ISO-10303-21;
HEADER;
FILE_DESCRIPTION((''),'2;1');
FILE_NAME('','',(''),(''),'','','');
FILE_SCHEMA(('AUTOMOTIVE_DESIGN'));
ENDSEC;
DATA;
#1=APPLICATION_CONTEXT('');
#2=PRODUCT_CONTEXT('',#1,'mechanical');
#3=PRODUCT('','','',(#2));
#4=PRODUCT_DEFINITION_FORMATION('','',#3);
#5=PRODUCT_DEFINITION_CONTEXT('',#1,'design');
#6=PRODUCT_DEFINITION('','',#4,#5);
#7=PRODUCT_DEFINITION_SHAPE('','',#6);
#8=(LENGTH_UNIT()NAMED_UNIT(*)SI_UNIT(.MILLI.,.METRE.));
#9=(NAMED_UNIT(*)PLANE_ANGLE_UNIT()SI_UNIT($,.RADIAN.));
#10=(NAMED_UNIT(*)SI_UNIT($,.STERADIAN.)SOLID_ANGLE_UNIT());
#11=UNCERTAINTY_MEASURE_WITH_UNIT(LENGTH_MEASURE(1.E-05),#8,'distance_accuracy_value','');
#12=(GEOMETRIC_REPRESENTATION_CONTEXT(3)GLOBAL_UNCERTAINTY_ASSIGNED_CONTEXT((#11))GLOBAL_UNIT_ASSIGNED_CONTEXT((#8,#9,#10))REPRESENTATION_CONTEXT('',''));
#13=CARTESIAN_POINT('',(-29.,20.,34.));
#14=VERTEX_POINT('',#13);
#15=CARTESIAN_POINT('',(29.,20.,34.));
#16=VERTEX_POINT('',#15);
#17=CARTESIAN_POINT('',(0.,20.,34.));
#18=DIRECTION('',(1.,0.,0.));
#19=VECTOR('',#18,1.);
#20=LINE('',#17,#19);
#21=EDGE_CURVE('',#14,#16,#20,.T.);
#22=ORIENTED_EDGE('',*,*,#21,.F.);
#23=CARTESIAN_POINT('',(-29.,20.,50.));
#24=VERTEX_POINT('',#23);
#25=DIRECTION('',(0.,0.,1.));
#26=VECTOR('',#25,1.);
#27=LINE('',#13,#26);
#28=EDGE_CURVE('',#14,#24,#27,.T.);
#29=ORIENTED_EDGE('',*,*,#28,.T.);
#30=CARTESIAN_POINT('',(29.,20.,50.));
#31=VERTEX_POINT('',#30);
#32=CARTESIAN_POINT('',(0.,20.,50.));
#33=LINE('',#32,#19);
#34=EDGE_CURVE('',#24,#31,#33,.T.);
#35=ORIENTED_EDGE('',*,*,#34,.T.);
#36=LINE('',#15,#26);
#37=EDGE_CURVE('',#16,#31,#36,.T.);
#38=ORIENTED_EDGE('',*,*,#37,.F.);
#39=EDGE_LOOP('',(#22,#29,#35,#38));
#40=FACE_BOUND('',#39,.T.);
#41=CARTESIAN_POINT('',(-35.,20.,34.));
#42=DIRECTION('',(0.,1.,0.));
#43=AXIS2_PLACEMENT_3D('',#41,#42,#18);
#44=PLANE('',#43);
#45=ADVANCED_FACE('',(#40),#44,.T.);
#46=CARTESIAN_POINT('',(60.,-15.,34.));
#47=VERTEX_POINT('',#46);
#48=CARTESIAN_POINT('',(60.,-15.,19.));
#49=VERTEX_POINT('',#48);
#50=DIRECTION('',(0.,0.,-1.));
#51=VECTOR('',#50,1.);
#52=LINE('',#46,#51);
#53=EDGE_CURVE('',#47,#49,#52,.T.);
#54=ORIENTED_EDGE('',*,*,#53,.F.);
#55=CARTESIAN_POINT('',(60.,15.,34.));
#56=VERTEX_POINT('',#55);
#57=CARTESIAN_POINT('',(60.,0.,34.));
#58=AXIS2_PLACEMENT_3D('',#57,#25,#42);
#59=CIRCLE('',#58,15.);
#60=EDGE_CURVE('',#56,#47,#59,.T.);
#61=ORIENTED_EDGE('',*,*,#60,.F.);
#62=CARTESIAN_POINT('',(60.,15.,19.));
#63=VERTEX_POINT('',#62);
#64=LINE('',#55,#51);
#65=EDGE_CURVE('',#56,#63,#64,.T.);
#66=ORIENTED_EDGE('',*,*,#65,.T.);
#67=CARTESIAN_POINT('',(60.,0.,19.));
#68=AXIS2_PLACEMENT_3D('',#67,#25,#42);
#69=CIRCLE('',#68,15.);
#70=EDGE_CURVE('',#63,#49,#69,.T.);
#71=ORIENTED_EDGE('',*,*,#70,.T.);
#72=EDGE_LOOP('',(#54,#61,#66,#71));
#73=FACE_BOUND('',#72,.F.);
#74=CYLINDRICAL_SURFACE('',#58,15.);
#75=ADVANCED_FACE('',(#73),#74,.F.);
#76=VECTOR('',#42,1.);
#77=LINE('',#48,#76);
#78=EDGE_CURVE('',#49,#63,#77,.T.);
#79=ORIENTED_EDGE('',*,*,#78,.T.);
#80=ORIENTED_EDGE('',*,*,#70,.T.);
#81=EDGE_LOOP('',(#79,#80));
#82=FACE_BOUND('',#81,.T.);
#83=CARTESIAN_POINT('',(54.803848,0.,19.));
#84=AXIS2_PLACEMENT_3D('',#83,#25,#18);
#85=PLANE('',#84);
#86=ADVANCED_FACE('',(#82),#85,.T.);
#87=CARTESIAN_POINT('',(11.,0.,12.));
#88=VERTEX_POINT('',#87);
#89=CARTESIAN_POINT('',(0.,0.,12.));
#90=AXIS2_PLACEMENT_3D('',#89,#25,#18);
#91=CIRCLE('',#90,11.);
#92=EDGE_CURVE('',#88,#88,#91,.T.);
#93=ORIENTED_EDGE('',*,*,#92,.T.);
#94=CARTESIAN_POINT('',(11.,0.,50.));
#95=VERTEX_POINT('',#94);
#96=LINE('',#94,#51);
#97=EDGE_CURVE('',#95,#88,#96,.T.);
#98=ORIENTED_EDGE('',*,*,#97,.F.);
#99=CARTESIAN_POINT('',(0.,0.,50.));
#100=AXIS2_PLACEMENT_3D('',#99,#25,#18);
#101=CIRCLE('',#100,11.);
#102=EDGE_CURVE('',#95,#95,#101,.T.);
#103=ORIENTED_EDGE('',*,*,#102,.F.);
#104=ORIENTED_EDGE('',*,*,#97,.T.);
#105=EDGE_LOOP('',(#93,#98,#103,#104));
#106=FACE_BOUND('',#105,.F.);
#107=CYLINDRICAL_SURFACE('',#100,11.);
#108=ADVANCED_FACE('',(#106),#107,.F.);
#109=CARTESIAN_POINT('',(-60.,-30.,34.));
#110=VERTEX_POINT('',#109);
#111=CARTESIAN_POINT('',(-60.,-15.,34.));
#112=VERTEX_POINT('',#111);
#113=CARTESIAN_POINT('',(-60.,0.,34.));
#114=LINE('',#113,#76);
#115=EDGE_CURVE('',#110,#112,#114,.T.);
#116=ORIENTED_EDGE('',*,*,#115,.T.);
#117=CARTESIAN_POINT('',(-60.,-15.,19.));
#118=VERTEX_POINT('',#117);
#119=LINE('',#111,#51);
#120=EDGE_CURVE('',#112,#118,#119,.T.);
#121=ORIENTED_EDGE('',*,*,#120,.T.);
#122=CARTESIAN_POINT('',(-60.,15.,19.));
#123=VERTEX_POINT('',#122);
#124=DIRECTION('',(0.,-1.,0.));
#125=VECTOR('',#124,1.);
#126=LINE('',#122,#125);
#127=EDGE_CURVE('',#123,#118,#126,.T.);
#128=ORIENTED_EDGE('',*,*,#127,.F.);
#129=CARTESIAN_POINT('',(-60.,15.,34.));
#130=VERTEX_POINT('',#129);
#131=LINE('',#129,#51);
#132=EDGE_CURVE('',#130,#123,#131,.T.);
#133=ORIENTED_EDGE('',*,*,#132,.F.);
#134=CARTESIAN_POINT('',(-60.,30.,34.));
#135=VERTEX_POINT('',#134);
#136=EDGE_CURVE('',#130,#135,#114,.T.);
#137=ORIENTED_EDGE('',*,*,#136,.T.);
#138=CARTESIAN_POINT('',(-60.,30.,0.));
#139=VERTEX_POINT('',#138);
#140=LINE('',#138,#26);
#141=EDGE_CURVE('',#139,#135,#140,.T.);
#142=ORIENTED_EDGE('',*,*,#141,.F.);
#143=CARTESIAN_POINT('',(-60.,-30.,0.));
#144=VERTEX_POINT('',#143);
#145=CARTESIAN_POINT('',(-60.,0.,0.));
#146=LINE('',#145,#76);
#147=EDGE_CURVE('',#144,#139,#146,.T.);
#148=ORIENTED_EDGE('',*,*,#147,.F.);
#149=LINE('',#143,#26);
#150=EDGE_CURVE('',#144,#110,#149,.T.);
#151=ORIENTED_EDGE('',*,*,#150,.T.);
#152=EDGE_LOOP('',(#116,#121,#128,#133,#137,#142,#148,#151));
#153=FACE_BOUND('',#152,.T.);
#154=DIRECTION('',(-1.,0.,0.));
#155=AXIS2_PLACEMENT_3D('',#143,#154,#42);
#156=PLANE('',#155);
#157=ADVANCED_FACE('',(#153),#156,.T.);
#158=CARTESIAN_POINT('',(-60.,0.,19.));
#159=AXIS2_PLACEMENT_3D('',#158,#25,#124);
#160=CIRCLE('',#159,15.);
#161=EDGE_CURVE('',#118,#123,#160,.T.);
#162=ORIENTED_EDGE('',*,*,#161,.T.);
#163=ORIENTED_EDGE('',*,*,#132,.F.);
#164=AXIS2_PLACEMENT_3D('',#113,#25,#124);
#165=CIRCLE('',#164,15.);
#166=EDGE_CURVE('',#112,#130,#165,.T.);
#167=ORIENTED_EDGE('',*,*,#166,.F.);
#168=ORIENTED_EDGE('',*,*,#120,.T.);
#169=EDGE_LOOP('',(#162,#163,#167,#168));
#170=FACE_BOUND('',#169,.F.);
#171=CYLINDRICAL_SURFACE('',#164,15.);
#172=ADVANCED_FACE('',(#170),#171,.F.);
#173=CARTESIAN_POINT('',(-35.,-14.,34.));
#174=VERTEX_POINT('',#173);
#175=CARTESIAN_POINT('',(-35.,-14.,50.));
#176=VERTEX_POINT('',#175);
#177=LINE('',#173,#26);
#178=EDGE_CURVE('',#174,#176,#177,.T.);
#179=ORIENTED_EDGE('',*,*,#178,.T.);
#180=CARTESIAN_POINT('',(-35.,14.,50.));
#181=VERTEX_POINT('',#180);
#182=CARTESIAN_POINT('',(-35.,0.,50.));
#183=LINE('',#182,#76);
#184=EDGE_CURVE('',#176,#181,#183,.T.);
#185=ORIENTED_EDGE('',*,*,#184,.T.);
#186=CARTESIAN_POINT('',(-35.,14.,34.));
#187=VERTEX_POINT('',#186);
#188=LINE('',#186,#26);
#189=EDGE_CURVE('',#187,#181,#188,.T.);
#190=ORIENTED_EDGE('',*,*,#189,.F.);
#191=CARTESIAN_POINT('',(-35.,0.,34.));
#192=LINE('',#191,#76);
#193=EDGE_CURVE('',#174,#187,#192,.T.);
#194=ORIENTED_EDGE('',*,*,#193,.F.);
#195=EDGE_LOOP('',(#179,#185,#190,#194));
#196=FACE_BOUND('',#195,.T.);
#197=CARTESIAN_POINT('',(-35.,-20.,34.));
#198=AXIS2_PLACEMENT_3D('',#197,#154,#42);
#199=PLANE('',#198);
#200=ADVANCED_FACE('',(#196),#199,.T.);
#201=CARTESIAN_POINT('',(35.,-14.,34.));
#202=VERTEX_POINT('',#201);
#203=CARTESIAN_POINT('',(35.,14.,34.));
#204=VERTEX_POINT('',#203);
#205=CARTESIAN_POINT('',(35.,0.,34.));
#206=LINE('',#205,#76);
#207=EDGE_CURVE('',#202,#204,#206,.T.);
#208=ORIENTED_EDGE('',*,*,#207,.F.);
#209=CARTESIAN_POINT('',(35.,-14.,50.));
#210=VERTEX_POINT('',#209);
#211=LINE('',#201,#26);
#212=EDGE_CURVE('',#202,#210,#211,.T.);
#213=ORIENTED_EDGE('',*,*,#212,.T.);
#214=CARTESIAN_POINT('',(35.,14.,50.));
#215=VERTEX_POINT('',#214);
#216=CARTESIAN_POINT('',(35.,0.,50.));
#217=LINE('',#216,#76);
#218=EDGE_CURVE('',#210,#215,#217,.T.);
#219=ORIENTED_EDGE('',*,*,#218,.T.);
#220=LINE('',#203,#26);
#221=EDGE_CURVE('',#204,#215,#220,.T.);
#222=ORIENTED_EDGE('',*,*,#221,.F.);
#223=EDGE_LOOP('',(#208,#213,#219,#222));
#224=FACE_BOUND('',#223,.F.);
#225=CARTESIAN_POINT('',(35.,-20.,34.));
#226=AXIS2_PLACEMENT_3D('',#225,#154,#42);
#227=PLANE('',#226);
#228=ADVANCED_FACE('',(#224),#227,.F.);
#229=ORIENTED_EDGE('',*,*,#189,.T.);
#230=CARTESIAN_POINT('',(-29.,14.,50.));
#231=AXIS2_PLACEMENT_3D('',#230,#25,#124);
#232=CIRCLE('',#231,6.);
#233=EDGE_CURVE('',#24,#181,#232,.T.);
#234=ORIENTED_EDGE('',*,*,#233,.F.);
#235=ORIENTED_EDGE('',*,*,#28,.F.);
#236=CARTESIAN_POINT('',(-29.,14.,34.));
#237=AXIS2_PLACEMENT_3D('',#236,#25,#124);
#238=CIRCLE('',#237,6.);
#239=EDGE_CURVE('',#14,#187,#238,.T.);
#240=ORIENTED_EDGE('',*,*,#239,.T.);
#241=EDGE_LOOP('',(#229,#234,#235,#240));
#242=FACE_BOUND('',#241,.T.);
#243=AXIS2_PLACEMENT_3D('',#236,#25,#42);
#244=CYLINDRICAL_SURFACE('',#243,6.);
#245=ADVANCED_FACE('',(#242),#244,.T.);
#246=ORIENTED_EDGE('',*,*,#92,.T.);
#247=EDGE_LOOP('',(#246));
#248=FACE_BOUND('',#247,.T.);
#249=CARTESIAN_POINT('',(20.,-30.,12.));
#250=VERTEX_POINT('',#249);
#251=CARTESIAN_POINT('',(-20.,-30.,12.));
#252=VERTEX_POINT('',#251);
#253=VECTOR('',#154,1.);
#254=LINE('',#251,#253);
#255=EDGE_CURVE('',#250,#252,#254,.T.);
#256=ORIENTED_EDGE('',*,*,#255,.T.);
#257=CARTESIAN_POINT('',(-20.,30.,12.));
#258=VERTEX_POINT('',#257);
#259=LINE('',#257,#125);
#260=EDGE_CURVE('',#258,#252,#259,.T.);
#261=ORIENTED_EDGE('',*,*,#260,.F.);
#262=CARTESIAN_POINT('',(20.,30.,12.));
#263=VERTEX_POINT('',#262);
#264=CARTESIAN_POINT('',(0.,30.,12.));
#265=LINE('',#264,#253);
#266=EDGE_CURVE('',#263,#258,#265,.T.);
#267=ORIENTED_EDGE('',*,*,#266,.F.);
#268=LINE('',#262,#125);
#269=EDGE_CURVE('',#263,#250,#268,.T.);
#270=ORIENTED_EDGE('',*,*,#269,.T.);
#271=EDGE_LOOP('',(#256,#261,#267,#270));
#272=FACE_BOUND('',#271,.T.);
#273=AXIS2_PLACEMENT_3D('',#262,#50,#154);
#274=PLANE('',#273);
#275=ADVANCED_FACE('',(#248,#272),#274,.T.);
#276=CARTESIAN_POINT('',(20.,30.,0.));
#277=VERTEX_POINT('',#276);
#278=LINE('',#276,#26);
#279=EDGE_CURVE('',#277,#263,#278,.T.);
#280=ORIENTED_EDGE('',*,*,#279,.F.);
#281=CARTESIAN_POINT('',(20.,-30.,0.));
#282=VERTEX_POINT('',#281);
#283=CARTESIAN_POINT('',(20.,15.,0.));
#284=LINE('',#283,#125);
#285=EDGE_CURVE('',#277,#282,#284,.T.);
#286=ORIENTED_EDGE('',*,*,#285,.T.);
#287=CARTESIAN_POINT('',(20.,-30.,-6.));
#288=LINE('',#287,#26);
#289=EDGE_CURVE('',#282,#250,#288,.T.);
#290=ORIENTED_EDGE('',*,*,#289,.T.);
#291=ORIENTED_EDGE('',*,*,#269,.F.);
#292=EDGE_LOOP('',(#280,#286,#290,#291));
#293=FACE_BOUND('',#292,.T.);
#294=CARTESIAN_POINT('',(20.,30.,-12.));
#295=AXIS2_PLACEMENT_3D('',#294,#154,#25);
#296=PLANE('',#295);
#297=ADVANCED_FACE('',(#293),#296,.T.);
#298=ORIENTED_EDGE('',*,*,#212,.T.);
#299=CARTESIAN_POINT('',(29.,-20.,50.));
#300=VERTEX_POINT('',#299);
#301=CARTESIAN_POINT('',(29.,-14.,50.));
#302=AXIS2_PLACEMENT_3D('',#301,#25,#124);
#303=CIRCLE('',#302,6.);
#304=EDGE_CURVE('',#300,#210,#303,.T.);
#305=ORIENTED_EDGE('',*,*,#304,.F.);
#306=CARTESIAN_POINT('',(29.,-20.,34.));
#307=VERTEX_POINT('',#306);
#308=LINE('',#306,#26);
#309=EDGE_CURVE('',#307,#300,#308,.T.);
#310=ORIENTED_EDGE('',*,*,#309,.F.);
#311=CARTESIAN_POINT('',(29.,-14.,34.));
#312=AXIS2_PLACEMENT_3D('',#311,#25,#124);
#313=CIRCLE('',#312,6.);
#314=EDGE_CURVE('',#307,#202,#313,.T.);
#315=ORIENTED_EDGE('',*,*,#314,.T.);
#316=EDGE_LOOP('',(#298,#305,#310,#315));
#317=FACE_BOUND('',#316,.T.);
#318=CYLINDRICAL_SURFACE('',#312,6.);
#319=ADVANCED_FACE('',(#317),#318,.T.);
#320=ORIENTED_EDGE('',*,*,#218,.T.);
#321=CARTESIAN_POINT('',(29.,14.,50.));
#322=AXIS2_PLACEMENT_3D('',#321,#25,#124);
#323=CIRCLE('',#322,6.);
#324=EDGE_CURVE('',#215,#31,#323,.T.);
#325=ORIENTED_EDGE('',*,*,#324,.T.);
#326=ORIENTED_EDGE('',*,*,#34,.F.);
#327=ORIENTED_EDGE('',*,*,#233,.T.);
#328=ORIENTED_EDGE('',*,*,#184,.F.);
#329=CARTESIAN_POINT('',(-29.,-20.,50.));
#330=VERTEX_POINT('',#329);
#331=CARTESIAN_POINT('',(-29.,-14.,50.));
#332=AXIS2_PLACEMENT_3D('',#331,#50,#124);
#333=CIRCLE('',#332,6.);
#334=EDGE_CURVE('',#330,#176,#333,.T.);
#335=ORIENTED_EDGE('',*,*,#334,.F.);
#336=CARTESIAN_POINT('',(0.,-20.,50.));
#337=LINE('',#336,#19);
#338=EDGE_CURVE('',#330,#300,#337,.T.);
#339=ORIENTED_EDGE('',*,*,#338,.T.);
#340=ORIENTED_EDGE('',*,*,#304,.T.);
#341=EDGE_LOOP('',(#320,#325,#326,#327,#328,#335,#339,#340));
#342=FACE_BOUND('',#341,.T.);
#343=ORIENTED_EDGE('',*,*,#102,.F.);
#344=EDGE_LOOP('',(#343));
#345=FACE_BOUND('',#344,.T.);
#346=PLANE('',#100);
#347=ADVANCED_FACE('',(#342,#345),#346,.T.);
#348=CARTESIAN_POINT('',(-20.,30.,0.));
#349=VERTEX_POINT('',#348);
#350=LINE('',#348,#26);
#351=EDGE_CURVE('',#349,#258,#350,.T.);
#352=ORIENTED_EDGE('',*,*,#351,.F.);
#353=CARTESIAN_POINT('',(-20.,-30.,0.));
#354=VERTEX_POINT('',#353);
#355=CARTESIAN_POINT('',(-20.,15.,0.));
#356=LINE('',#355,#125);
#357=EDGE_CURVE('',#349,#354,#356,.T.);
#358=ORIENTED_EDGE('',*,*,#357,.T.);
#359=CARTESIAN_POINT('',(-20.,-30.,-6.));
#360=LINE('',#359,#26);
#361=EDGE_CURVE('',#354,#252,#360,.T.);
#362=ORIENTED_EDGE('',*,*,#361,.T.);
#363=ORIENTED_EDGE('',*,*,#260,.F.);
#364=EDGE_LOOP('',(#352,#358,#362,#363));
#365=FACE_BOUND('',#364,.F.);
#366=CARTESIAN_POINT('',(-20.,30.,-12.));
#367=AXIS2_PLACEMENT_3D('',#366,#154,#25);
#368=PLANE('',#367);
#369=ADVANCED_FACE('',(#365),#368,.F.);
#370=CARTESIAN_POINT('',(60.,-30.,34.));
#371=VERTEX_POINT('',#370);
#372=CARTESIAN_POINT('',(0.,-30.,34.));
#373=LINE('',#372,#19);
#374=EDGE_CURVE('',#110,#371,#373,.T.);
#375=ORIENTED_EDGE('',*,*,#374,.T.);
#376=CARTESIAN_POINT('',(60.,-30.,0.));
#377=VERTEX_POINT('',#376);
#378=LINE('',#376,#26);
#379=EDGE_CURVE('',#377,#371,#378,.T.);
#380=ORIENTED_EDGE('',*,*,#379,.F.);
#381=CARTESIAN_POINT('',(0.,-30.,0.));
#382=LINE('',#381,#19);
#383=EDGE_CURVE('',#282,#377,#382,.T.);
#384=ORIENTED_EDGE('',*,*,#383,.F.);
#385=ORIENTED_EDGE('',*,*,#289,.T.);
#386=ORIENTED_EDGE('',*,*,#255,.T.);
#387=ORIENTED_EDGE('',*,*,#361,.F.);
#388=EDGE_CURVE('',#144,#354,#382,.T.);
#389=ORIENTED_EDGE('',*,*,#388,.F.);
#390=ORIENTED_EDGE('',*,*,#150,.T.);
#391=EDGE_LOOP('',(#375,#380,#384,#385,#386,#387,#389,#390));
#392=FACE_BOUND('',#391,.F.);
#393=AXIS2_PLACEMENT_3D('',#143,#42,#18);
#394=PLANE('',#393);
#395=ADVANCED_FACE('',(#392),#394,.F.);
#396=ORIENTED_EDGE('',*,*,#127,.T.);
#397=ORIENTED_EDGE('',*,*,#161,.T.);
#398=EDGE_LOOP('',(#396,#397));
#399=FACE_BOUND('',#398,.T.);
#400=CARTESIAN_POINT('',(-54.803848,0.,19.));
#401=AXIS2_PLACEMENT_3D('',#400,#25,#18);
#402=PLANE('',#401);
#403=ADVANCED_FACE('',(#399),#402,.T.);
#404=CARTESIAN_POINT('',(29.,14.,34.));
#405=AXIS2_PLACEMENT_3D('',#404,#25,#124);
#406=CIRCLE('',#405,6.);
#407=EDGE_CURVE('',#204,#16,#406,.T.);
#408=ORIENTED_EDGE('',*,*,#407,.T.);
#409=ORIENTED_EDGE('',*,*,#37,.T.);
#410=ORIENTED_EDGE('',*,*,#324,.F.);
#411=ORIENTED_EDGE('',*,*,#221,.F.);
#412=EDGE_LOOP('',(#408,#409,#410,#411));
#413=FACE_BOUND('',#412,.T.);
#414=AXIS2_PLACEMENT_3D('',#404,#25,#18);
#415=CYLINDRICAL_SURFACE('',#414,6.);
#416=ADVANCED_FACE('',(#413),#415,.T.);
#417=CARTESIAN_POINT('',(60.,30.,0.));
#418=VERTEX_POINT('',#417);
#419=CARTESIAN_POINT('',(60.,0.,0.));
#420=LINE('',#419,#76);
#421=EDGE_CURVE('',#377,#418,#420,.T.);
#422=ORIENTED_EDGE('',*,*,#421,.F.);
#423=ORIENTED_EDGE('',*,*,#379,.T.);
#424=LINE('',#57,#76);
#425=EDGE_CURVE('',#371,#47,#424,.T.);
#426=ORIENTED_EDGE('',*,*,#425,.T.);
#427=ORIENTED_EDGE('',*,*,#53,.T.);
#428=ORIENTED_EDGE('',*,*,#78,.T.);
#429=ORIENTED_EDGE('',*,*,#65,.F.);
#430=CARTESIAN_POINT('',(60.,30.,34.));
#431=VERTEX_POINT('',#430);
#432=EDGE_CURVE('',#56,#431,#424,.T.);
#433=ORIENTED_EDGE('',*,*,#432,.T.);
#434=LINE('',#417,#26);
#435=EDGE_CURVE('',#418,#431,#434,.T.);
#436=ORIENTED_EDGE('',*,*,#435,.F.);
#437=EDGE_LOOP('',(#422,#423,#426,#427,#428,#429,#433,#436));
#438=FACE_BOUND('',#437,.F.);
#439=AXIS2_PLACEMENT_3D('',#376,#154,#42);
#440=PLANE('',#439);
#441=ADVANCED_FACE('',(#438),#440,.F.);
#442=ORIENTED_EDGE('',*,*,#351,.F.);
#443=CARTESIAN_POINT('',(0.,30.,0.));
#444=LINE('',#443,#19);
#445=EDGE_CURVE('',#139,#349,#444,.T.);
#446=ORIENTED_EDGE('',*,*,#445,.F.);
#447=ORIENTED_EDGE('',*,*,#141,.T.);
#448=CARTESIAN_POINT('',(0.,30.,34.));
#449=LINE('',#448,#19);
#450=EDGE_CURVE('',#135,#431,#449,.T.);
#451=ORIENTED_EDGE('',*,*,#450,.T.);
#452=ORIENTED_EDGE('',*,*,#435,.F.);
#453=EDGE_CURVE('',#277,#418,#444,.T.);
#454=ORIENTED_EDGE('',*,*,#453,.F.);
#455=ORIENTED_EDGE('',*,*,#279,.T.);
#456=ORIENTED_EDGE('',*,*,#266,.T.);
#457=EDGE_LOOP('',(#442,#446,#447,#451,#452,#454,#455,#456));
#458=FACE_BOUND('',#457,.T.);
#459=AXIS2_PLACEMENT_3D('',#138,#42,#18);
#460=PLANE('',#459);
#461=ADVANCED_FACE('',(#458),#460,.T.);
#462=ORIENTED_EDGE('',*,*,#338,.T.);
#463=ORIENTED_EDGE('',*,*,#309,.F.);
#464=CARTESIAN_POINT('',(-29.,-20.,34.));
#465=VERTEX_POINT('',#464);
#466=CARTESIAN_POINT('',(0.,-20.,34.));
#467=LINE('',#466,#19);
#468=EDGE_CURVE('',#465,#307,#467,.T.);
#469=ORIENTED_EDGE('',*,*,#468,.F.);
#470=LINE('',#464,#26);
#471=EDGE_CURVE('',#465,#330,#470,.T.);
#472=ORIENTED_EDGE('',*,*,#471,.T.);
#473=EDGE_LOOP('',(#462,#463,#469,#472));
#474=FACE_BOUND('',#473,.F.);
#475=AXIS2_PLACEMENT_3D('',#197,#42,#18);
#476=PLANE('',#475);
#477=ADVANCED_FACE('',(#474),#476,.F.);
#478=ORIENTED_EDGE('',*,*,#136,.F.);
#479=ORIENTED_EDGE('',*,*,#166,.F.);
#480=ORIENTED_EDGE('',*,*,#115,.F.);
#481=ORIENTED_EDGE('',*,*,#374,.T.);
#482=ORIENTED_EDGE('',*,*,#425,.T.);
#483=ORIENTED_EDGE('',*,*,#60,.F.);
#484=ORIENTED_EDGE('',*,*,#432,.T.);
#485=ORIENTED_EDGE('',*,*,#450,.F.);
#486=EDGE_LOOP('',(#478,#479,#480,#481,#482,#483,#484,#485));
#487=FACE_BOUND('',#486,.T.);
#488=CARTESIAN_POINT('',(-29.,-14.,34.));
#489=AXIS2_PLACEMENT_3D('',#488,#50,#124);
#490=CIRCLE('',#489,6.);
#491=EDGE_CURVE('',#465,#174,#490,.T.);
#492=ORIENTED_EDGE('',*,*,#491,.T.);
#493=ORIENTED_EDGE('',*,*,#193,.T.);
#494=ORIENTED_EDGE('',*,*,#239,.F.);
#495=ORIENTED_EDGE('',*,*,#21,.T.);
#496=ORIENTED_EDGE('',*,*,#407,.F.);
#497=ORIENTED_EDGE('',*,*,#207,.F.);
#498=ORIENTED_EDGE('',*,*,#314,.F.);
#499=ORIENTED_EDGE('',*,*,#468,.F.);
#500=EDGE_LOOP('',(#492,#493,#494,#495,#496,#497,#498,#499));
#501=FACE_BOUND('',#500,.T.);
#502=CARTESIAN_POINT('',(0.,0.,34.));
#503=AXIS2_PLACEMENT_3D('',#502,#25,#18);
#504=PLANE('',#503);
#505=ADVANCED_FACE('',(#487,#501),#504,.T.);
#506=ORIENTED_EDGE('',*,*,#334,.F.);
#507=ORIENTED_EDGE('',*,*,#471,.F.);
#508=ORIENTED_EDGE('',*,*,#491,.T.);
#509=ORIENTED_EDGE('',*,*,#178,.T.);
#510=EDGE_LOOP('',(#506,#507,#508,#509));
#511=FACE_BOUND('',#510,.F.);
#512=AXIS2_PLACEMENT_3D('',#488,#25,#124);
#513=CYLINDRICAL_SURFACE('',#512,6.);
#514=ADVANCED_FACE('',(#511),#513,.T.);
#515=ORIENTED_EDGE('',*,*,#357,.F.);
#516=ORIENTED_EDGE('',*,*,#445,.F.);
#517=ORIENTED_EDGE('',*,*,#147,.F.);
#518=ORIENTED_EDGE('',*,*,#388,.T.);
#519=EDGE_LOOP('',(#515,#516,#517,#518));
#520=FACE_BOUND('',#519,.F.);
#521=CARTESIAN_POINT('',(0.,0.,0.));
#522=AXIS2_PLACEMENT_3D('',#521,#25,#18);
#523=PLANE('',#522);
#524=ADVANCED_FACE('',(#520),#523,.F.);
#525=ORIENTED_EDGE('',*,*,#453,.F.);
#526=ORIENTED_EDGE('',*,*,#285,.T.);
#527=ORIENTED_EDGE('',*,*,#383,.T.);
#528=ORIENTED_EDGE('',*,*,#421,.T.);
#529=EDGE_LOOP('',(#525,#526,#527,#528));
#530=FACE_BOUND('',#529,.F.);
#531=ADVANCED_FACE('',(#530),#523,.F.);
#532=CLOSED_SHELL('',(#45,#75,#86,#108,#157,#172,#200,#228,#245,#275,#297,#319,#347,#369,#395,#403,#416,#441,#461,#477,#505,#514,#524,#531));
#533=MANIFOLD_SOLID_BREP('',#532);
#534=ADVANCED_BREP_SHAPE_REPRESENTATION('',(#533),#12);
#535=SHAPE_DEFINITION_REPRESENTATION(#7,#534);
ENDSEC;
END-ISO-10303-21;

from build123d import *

# Parameters (mm, degrees)
F0_W      = 120
F0_H      = 60
F1_DEPTH  = 34
F3_DEPTH  = 15
F4_W      = 70
F4_H      = 40
F5_DEPTH  = 16
F6_R      = 11
F7_DEPTH  = 50.001
F8_R      = 6
F9_W      = 40
F9_H      = 24
F10_DEPTH = 60.001


with BuildPart() as f1:
    # F0 (on Top) → F1 (new body)
    with BuildSketch(Plane.XY):
        Rectangle(F0_W, F0_H)
    extrude(amount=F1_DEPTH)

    # F2 (on face) → F3 (cut)
    with BuildSketch(Plane.XY.offset(34)):
        with BuildLine():
            ThreePointArc((-60, -15), (-45, 0), (-60, 15))
            Line((-60, 15), (-60, -15))
        make_face()
        with BuildLine():
            Line((60, -15), (60, 15))
            ThreePointArc((60, 15), (45, 0), (60, -15))
        make_face()
    extrude(amount=-F3_DEPTH, mode=Mode.SUBTRACT)

    # F4 (on face) → F5 (join)
    with BuildSketch(Plane.XY.offset(34)):
        Rectangle(F4_W, F4_H)
    extrude(amount=F5_DEPTH)

    # F6 (on face) → F7 (cut, through all)
    with BuildSketch(Plane.XY.offset(50)):
        Circle(F6_R)
    extrude(amount=-F7_DEPTH, mode=Mode.SUBTRACT)

    # F8
    f8_edges = [f1.edges().sort_by_distance(p)[0] for p in [
        (35, 20, 42),
        (-35, 20, 42),
        (-35, -20, 42),
        (35, -20, 42),
    ]]
    fillet(f8_edges, radius=F8_R)

    # F9 (on face) → F10 (cut, through all)
    with BuildSketch(Plane(origin=(0, 30, 0), x_dir=(-1, 0, 0), z_dir=(0, 1, 0))):
        Rectangle(F9_W, F9_H)
    extrude(amount=-F10_DEPTH, mode=Mode.SUBTRACT)


solid = f1.part
